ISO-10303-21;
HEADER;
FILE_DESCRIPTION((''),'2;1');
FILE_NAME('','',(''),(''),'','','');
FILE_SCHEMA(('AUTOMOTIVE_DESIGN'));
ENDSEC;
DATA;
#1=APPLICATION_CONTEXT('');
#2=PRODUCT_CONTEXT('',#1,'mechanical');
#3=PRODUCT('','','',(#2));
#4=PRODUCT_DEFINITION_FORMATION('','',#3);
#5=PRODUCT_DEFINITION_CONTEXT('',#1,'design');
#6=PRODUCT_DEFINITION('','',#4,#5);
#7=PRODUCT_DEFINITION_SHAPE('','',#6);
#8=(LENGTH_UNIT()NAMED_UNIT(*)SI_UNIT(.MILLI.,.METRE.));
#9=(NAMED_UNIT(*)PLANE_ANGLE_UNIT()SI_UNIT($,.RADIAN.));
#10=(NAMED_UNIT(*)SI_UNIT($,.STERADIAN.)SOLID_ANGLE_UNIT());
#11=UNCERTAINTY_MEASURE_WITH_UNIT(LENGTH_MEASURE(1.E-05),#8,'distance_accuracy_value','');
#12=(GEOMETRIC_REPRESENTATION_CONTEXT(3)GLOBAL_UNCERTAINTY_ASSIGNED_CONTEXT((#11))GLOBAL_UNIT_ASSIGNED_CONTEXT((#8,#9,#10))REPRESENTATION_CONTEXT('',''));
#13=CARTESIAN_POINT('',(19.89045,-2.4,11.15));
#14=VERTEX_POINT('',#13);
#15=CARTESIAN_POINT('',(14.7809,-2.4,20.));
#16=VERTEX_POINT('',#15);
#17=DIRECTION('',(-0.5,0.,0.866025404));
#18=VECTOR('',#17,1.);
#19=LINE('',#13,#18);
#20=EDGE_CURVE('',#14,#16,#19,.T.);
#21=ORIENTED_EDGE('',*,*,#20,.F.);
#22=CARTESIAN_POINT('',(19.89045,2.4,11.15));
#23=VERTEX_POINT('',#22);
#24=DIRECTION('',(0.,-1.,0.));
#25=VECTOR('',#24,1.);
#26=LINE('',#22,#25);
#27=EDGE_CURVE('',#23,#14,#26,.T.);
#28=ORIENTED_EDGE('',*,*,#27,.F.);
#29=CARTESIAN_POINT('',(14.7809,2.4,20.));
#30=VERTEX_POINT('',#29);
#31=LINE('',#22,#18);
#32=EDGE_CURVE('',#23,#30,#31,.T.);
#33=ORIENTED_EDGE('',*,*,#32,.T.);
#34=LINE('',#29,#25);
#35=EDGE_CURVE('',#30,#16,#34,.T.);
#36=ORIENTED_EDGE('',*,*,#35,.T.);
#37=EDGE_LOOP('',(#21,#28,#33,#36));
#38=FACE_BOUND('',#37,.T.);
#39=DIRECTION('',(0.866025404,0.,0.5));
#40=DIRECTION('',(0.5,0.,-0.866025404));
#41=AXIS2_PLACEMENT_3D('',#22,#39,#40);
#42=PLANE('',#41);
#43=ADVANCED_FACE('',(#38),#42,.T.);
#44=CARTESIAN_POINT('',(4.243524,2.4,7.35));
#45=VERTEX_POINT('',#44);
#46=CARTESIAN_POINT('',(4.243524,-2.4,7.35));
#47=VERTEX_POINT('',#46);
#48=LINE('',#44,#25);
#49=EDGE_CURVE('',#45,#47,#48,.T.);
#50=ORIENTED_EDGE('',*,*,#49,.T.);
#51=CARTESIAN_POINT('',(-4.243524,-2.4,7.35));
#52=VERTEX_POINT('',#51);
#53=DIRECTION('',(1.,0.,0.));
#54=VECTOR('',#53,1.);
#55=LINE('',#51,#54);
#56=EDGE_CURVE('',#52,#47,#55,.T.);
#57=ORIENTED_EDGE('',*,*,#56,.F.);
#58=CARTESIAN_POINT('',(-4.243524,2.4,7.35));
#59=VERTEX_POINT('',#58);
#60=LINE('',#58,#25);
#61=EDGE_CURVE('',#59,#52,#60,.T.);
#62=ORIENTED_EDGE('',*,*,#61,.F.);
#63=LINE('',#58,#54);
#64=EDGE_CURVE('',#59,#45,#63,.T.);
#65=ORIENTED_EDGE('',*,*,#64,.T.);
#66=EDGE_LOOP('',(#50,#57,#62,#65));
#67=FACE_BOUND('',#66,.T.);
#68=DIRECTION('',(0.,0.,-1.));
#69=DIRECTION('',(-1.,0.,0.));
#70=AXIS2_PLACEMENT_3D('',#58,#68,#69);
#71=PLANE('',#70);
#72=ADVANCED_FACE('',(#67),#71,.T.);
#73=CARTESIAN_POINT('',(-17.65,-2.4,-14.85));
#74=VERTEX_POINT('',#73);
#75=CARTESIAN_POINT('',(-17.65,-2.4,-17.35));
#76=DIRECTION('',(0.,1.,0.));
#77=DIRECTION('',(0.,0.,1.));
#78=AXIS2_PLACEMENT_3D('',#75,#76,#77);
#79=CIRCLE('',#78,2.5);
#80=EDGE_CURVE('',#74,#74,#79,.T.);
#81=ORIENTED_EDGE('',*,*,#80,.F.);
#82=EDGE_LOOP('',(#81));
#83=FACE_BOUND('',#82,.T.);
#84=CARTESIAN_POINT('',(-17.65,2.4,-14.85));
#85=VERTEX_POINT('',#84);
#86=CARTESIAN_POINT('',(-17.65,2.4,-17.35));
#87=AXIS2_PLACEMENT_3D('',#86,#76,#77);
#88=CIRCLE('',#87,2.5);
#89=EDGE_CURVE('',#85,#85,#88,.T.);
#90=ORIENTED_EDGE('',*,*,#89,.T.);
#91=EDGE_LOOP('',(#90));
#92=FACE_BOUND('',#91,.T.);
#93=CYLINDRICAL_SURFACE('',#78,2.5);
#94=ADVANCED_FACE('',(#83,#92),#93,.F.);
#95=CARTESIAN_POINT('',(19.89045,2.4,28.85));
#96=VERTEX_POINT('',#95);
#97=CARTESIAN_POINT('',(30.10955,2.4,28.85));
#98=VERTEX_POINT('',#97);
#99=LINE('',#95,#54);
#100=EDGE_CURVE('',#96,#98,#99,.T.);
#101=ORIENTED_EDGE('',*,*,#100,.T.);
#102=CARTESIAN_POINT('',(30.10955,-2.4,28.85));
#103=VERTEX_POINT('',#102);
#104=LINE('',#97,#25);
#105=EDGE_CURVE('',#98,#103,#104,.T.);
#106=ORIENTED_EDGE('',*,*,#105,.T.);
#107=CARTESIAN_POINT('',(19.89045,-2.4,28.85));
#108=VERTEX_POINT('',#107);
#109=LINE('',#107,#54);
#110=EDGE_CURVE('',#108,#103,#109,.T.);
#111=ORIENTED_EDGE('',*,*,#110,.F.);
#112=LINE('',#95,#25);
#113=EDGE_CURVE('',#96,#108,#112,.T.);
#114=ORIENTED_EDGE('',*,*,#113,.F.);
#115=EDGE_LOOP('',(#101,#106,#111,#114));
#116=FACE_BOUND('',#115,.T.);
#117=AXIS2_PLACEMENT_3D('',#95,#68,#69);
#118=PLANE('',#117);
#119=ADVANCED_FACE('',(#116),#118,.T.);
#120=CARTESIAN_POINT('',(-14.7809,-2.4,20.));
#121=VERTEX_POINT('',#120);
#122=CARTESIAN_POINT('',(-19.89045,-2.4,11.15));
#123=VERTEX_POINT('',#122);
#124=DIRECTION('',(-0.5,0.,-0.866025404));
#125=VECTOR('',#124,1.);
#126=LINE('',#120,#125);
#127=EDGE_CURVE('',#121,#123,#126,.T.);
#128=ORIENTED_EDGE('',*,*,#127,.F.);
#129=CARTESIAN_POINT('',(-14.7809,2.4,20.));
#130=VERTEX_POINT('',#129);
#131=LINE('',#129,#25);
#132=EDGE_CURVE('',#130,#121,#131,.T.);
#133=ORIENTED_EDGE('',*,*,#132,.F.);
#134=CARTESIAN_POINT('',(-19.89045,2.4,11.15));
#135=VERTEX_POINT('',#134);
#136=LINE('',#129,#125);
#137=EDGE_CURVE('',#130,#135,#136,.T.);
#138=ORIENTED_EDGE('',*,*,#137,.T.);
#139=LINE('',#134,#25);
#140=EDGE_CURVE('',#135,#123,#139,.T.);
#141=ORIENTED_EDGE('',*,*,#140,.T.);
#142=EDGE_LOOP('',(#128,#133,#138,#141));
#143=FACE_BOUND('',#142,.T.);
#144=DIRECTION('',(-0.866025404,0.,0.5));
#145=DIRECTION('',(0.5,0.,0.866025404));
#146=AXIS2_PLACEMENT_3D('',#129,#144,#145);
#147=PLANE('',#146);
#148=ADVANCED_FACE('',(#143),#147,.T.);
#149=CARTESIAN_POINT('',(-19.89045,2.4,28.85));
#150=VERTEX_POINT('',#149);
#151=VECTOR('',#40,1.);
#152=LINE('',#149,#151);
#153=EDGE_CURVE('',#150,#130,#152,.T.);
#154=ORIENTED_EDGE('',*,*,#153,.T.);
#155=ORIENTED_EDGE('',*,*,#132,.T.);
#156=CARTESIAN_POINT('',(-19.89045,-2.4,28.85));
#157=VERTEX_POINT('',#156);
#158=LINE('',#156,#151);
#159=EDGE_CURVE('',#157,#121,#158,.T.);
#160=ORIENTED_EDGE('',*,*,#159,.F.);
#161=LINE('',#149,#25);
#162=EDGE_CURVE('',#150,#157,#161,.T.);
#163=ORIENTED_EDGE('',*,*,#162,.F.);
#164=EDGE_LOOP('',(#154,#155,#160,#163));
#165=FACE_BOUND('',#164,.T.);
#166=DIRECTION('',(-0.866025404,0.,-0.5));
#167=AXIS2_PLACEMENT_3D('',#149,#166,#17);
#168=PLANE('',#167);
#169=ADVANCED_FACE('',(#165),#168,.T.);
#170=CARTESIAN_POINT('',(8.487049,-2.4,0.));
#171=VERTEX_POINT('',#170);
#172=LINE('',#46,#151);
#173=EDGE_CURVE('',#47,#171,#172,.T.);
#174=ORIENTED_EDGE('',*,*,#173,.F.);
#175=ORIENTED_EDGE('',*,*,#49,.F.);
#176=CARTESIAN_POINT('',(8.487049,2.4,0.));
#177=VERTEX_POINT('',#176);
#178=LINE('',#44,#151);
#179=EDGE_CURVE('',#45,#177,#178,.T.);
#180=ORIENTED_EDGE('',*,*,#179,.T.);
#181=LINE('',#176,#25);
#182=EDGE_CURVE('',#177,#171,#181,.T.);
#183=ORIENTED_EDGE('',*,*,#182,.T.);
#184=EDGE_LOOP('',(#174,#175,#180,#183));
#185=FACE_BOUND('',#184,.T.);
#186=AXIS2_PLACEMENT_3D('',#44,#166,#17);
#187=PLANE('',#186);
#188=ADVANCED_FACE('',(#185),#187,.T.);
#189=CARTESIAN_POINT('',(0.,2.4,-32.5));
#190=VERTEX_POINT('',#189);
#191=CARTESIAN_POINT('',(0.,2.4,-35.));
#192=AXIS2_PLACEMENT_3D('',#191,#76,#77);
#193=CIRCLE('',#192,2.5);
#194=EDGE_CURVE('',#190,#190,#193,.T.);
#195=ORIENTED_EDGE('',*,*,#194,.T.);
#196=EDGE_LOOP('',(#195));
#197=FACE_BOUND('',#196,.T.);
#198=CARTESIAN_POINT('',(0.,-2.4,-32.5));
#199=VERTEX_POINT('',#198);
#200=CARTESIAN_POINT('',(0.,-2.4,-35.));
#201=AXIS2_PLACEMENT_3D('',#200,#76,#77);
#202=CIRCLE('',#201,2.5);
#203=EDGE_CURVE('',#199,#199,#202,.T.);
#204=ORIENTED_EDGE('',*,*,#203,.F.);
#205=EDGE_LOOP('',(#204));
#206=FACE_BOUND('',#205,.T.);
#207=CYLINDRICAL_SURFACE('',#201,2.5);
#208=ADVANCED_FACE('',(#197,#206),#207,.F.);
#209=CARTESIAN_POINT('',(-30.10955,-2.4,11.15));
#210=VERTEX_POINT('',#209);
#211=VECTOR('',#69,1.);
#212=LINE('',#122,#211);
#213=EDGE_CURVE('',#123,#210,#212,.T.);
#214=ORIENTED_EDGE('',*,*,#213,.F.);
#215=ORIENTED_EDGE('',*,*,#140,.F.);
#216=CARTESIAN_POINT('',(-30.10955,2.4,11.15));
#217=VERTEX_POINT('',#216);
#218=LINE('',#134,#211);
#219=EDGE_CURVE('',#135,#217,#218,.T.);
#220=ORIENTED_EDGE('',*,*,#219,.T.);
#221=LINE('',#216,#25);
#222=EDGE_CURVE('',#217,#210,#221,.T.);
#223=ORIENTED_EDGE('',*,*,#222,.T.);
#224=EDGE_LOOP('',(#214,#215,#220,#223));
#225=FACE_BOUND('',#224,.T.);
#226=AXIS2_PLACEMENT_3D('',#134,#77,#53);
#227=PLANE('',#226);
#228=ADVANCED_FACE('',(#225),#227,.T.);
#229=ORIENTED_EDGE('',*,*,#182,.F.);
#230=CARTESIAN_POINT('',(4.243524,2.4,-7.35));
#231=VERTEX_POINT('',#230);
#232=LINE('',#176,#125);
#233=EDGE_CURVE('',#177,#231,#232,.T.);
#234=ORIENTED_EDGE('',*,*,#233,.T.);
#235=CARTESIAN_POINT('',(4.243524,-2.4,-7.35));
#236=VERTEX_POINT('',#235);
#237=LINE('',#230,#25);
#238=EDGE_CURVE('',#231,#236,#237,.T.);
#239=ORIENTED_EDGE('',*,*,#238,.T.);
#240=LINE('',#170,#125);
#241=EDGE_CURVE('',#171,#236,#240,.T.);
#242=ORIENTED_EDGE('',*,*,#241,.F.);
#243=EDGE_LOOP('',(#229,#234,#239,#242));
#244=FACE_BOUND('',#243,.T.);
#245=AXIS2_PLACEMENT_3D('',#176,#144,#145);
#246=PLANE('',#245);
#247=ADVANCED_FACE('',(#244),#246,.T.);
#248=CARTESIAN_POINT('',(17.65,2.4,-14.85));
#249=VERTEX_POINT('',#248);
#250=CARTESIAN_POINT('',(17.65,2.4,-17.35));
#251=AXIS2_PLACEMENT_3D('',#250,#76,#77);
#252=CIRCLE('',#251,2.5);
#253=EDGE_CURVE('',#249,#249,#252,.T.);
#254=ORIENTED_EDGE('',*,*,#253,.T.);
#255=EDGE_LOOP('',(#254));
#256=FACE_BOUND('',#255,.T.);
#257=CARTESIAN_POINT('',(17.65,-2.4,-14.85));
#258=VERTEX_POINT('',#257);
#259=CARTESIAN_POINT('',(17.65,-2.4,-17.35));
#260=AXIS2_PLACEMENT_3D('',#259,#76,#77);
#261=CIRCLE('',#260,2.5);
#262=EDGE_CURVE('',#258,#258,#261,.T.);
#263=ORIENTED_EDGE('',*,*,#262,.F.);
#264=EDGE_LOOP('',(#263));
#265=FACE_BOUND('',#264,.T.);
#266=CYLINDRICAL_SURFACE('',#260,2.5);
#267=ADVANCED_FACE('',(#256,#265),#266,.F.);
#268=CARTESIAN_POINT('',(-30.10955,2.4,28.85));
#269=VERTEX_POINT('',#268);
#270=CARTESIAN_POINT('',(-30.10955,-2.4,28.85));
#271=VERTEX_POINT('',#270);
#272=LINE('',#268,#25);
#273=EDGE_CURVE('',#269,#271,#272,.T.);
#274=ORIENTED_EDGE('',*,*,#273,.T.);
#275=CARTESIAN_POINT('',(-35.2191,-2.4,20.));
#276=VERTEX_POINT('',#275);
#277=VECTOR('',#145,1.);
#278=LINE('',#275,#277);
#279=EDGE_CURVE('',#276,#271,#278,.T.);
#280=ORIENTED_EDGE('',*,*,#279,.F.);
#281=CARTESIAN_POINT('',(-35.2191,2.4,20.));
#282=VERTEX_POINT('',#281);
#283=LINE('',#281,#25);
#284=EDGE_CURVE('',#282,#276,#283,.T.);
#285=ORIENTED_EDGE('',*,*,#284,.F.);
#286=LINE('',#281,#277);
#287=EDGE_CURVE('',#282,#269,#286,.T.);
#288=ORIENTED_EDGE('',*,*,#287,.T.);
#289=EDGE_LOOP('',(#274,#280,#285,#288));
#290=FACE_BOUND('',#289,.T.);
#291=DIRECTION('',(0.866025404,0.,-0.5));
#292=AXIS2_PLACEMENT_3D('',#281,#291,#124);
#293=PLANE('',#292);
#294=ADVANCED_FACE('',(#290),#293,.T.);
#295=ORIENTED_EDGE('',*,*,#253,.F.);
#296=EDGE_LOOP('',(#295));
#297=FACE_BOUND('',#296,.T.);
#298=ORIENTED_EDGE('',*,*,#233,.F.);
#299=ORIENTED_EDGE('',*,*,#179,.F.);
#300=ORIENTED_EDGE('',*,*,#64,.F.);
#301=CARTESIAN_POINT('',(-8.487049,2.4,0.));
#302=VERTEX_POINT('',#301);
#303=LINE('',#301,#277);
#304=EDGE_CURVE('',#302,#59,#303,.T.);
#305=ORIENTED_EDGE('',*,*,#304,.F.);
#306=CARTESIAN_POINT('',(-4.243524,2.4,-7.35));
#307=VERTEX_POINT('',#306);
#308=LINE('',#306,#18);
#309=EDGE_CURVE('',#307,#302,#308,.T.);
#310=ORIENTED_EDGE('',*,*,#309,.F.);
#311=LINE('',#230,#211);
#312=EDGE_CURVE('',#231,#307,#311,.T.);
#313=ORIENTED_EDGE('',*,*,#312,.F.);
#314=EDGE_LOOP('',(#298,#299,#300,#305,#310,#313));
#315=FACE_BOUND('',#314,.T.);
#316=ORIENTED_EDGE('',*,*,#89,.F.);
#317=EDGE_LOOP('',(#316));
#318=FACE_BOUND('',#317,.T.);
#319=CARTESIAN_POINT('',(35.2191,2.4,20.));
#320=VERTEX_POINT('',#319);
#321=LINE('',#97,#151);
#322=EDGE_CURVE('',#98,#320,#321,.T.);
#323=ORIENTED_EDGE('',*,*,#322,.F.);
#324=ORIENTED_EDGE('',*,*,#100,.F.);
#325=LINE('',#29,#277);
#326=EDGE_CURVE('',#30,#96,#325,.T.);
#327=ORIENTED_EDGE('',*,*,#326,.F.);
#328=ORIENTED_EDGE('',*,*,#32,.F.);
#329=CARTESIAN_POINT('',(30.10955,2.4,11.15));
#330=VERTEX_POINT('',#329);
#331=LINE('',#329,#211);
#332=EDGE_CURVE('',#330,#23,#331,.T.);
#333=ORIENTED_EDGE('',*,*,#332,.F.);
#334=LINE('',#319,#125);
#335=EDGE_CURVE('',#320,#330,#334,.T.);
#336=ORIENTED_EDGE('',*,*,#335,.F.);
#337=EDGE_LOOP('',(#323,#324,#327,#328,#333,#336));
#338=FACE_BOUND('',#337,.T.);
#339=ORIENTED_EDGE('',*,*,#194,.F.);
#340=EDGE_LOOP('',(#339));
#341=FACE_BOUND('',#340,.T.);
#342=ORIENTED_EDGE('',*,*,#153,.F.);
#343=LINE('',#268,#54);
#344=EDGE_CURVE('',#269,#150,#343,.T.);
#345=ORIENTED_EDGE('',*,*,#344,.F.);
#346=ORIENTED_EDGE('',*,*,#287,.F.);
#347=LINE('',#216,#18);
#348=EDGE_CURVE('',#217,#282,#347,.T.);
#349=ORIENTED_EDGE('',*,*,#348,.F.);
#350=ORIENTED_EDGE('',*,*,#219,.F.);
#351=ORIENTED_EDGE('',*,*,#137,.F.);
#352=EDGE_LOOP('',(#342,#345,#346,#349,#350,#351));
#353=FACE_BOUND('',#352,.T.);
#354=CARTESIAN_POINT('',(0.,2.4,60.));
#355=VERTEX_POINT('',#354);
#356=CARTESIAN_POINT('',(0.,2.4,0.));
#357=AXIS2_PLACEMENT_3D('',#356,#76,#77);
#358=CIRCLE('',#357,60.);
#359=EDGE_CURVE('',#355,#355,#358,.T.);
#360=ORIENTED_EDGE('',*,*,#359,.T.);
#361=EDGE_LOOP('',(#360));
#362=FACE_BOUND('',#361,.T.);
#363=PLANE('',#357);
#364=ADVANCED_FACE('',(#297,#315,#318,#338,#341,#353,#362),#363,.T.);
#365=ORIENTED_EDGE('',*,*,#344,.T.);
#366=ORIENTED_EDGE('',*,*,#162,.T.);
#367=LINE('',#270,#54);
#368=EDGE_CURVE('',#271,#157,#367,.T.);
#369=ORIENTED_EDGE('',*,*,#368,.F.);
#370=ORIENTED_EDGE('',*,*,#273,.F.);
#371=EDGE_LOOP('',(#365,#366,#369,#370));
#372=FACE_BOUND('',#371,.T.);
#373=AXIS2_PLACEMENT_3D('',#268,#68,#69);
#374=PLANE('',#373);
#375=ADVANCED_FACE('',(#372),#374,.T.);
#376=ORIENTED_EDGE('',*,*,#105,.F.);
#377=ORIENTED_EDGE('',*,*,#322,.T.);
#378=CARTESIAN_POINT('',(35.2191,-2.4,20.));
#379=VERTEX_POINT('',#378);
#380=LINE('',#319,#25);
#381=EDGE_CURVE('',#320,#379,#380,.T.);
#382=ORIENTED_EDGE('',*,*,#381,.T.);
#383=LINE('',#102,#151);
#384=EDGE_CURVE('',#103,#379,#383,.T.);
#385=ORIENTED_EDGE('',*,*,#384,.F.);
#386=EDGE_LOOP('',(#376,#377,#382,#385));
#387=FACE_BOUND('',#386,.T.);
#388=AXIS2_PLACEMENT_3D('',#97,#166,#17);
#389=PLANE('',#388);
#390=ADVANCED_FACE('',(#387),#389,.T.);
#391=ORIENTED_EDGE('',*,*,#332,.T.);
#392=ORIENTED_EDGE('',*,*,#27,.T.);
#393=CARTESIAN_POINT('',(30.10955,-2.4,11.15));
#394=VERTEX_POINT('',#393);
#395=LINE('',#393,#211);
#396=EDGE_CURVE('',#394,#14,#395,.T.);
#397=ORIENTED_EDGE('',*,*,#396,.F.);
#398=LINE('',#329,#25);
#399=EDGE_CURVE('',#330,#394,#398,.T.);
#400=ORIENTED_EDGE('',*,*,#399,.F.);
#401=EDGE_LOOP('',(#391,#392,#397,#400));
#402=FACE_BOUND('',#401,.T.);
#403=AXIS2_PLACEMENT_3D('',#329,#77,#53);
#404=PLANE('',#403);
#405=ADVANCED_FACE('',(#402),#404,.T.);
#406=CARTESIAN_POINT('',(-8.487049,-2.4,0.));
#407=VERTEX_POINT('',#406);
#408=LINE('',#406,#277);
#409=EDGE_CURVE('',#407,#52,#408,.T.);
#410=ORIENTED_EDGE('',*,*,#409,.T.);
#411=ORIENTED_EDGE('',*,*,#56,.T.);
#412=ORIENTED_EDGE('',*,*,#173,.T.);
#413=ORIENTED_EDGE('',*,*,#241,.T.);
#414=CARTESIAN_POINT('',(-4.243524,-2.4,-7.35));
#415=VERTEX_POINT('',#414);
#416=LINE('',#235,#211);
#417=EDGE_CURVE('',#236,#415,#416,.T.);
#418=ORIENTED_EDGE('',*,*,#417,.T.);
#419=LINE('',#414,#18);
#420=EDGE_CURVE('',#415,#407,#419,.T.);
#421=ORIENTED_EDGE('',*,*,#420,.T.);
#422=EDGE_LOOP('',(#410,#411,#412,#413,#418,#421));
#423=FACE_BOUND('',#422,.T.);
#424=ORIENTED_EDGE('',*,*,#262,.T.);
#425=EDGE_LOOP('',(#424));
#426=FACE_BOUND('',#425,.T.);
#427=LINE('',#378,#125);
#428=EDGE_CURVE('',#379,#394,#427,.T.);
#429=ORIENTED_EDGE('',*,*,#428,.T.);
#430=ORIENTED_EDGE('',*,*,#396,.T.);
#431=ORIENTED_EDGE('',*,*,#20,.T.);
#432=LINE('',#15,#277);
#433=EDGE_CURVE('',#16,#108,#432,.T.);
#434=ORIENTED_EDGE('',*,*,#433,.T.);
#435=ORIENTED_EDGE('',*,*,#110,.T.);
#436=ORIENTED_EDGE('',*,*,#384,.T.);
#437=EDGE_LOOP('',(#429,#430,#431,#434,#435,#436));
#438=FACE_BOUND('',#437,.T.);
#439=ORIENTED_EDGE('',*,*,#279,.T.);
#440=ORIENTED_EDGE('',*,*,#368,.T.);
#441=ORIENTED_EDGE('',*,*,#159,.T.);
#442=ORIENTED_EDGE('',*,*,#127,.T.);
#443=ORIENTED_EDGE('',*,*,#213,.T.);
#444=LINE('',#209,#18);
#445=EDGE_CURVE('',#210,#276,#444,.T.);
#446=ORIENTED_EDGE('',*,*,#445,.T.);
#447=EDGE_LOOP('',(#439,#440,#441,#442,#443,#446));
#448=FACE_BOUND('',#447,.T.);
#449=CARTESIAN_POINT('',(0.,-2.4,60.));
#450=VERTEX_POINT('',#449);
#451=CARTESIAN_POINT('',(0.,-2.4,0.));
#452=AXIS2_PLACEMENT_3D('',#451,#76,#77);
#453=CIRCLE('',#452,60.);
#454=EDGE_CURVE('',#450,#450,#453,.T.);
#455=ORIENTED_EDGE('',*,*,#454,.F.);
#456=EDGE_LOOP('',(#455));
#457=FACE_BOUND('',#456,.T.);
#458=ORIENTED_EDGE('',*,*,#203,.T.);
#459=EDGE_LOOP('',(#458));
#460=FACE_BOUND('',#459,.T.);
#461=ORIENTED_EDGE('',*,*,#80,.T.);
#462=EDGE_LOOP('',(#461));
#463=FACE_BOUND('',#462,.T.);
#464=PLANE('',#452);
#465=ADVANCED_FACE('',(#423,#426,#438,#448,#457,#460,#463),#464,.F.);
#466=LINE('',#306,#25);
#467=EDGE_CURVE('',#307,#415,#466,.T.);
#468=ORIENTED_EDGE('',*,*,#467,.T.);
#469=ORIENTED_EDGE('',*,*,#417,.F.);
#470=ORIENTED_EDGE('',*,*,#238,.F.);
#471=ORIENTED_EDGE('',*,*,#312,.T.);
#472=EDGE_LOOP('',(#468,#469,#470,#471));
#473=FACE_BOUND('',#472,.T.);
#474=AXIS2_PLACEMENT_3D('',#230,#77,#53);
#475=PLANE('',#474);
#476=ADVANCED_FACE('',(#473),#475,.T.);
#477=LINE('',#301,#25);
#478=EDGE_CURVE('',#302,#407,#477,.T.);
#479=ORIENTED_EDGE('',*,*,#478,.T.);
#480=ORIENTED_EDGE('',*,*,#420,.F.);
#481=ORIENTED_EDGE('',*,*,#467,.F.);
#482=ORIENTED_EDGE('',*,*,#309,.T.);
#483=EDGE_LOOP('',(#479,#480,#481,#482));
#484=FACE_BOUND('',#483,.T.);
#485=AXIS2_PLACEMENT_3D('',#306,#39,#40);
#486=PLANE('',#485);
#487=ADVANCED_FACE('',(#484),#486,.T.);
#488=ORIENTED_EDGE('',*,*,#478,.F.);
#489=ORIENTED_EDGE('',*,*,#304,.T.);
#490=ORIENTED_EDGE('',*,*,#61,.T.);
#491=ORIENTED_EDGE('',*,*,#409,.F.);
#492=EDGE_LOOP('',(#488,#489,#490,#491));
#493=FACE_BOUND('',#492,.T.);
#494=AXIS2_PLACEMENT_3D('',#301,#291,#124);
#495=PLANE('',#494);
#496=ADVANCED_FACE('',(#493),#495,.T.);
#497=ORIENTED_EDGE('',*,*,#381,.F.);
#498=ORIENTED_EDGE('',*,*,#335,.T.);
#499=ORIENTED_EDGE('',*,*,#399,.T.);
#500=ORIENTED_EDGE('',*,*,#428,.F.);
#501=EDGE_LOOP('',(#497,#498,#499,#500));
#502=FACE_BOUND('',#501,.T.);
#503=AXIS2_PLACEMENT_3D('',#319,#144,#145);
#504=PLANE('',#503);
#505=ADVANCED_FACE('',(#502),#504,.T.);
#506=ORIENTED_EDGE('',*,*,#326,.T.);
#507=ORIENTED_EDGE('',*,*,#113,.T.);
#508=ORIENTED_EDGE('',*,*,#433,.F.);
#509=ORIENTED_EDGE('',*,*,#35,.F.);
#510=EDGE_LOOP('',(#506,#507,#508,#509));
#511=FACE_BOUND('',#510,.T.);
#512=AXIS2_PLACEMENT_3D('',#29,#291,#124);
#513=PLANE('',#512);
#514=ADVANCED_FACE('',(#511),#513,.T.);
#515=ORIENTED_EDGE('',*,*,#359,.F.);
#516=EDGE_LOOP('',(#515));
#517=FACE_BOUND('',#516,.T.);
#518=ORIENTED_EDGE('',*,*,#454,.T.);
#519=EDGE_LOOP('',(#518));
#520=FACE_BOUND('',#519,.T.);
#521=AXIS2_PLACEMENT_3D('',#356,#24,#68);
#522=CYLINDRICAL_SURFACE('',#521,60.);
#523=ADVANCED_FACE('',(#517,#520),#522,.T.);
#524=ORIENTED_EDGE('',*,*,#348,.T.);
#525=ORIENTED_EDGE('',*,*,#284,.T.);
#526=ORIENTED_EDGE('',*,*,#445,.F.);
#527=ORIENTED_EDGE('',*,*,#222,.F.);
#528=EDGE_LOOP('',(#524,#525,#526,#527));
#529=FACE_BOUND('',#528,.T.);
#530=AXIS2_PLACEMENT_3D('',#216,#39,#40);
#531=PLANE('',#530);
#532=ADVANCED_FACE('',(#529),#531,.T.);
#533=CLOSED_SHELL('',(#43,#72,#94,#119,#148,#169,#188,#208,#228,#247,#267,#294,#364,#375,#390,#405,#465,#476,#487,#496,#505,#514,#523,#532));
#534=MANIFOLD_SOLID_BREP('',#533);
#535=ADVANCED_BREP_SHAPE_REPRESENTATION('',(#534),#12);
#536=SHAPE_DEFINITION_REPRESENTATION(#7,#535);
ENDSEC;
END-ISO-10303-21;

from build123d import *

# Parameters (mm, degrees)
SKETCH1_R           = 60
BOSS_EXTRUDE1_DEPTH = 2.4
SKETCH2_R           = 2.5
CUT_EXTRUDE1_DEPTH  = 85.988469806


with BuildPart() as part:
    # Sketch1 → Boss-Extrude1 (new, symmetric)
    with BuildSketch(Plane(origin=(0, 0, 0), x_dir=(1, 0, 0), z_dir=(0, 1, 0))):
        with Locations(Location((0, 0, 0), (0, 0, 270))):
            Circle(SKETCH1_R)
        Polygon((8.487048957, 0), (4.243524479, 7.35), (-4.243524479, 7.35), (-8.487048957, 0), (-4.243524479, -7.35), (4.243524479, -7.35), align=None, mode=Mode.SUBTRACT)
        Polygon((-14.780900235, -20), (-19.890450118, -11.15), (-30.109549882, -11.15), (-35.219099765, -20), (-30.109549882, -28.85), (-19.890450118, -28.85), align=None, mode=Mode.SUBTRACT)
        Polygon((35.219099765, -20), (30.109549882, -11.15), (19.890450118, -11.15), (14.780900235, -20), (19.890450118, -28.85), (30.109549882, -28.85), align=None, mode=Mode.SUBTRACT)
    extrude(amount=BOSS_EXTRUDE1_DEPTH, both=True)

    # Sketch2 → Cut-Extrude1 (cut, through all)
    with BuildSketch(Plane(origin=(0, 2.4, 0), x_dir=(1, 0, 0), z_dir=(0, 1, 0))):
        with Locations(Location((0, 35, 0), (0, 0, 270))):
            Circle(SKETCH2_R)
        with Locations(Location((17.65, 17.35, 0), (0, 0, 270))):
            Circle(SKETCH2_R)
        with Locations(Location((-17.65, 17.35, 0), (0, 0, 270))):
            Circle(SKETCH2_R)
    extrude(amount=-CUT_EXTRUDE1_DEPTH, mode=Mode.SUBTRACT)


solid = part.part
